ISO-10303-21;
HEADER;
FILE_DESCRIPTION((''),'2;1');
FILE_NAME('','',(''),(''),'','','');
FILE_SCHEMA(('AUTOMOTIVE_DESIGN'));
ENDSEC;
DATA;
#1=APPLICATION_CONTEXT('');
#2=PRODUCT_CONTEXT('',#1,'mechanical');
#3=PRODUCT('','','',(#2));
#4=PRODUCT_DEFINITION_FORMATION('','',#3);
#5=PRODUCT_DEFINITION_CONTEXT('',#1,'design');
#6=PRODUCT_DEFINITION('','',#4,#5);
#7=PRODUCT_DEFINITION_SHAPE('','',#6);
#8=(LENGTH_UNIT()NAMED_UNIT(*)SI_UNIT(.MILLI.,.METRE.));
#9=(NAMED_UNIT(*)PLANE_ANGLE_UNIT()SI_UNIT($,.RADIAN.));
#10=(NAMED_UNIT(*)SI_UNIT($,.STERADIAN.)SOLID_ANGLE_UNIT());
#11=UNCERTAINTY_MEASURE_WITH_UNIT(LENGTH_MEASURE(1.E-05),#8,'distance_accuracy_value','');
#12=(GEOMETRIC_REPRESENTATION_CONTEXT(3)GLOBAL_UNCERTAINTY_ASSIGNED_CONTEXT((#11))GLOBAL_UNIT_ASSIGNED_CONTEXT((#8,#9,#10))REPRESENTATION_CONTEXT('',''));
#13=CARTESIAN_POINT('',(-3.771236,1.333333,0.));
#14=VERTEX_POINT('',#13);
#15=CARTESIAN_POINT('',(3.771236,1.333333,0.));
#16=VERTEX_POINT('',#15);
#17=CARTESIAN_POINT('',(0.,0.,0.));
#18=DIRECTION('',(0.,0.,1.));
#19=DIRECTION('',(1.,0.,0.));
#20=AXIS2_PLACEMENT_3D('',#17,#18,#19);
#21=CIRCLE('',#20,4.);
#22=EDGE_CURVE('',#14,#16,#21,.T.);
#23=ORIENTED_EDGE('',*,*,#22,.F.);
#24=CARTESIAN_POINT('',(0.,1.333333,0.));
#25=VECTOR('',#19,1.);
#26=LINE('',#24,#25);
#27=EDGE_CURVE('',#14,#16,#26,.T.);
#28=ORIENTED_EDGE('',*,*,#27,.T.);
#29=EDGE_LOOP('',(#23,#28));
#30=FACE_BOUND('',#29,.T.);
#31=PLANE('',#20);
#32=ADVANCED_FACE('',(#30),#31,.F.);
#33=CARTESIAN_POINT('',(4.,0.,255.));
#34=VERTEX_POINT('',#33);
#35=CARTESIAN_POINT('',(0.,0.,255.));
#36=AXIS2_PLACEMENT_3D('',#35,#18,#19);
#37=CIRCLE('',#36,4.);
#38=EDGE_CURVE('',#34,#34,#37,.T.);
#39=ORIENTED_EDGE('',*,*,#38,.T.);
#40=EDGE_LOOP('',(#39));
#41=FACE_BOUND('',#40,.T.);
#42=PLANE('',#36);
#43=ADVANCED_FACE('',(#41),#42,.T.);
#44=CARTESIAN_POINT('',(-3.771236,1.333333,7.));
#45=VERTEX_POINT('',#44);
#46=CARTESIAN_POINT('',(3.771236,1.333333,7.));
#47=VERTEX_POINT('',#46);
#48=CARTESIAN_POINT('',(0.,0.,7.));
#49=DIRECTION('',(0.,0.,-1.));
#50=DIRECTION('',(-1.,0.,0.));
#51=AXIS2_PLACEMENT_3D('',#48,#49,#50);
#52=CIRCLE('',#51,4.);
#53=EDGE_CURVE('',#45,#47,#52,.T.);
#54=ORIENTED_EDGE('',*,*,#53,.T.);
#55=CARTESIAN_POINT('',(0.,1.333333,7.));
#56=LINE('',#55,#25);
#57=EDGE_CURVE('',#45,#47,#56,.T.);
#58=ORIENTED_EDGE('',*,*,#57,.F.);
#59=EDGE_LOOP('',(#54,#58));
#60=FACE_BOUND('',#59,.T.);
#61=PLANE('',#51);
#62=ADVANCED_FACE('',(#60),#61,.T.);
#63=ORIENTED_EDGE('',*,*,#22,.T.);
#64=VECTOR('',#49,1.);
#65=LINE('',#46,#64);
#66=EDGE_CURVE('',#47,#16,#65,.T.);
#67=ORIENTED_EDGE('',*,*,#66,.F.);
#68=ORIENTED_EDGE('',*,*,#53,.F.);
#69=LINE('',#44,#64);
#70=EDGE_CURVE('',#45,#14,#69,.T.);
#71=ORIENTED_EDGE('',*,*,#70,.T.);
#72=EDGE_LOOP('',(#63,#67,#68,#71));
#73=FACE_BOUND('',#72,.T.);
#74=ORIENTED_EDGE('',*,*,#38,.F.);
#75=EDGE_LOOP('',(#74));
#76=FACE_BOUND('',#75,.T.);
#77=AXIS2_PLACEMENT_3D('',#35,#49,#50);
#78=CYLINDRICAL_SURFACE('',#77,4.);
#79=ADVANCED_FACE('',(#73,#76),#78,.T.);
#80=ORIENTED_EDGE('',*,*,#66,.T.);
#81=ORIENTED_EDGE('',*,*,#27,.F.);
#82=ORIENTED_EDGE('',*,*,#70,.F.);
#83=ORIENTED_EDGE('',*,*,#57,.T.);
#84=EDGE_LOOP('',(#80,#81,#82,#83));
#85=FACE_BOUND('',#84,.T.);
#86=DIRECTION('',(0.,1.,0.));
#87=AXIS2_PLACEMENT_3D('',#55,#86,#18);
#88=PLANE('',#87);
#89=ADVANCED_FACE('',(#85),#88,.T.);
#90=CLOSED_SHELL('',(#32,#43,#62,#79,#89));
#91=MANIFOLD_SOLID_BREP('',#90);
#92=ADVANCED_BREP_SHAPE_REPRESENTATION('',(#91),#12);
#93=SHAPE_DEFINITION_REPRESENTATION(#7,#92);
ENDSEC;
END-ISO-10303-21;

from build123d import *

# Parameters (mm, degrees)
SKETCH1_R           = 4
BOSS_EXTRUDE1_DEPTH = 255
CUT_EXTRUDE1_START  = -255
CUT_EXTRUDE1_DEPTH  = 7


with BuildPart() as part:
    # Sketch1 → Boss-Extrude1 (new body)
    with BuildSketch(Plane.XY):
        Circle(SKETCH1_R)
    extrude(amount=BOSS_EXTRUDE1_DEPTH)

    # Sketch2 → Cut-Extrude1 (cut)
    with BuildSketch(Plane.XY.offset(255).offset(CUT_EXTRUDE1_START)):
        Polygon((-3.771236166, 1.333333333), (3.771236166, 1.333333333), (7.722686655, 6.886897816), (-8.219252697, 6.886897816), align=None)
    extrude(amount=CUT_EXTRUDE1_DEPTH, mode=Mode.SUBTRACT)


solid = part.part
